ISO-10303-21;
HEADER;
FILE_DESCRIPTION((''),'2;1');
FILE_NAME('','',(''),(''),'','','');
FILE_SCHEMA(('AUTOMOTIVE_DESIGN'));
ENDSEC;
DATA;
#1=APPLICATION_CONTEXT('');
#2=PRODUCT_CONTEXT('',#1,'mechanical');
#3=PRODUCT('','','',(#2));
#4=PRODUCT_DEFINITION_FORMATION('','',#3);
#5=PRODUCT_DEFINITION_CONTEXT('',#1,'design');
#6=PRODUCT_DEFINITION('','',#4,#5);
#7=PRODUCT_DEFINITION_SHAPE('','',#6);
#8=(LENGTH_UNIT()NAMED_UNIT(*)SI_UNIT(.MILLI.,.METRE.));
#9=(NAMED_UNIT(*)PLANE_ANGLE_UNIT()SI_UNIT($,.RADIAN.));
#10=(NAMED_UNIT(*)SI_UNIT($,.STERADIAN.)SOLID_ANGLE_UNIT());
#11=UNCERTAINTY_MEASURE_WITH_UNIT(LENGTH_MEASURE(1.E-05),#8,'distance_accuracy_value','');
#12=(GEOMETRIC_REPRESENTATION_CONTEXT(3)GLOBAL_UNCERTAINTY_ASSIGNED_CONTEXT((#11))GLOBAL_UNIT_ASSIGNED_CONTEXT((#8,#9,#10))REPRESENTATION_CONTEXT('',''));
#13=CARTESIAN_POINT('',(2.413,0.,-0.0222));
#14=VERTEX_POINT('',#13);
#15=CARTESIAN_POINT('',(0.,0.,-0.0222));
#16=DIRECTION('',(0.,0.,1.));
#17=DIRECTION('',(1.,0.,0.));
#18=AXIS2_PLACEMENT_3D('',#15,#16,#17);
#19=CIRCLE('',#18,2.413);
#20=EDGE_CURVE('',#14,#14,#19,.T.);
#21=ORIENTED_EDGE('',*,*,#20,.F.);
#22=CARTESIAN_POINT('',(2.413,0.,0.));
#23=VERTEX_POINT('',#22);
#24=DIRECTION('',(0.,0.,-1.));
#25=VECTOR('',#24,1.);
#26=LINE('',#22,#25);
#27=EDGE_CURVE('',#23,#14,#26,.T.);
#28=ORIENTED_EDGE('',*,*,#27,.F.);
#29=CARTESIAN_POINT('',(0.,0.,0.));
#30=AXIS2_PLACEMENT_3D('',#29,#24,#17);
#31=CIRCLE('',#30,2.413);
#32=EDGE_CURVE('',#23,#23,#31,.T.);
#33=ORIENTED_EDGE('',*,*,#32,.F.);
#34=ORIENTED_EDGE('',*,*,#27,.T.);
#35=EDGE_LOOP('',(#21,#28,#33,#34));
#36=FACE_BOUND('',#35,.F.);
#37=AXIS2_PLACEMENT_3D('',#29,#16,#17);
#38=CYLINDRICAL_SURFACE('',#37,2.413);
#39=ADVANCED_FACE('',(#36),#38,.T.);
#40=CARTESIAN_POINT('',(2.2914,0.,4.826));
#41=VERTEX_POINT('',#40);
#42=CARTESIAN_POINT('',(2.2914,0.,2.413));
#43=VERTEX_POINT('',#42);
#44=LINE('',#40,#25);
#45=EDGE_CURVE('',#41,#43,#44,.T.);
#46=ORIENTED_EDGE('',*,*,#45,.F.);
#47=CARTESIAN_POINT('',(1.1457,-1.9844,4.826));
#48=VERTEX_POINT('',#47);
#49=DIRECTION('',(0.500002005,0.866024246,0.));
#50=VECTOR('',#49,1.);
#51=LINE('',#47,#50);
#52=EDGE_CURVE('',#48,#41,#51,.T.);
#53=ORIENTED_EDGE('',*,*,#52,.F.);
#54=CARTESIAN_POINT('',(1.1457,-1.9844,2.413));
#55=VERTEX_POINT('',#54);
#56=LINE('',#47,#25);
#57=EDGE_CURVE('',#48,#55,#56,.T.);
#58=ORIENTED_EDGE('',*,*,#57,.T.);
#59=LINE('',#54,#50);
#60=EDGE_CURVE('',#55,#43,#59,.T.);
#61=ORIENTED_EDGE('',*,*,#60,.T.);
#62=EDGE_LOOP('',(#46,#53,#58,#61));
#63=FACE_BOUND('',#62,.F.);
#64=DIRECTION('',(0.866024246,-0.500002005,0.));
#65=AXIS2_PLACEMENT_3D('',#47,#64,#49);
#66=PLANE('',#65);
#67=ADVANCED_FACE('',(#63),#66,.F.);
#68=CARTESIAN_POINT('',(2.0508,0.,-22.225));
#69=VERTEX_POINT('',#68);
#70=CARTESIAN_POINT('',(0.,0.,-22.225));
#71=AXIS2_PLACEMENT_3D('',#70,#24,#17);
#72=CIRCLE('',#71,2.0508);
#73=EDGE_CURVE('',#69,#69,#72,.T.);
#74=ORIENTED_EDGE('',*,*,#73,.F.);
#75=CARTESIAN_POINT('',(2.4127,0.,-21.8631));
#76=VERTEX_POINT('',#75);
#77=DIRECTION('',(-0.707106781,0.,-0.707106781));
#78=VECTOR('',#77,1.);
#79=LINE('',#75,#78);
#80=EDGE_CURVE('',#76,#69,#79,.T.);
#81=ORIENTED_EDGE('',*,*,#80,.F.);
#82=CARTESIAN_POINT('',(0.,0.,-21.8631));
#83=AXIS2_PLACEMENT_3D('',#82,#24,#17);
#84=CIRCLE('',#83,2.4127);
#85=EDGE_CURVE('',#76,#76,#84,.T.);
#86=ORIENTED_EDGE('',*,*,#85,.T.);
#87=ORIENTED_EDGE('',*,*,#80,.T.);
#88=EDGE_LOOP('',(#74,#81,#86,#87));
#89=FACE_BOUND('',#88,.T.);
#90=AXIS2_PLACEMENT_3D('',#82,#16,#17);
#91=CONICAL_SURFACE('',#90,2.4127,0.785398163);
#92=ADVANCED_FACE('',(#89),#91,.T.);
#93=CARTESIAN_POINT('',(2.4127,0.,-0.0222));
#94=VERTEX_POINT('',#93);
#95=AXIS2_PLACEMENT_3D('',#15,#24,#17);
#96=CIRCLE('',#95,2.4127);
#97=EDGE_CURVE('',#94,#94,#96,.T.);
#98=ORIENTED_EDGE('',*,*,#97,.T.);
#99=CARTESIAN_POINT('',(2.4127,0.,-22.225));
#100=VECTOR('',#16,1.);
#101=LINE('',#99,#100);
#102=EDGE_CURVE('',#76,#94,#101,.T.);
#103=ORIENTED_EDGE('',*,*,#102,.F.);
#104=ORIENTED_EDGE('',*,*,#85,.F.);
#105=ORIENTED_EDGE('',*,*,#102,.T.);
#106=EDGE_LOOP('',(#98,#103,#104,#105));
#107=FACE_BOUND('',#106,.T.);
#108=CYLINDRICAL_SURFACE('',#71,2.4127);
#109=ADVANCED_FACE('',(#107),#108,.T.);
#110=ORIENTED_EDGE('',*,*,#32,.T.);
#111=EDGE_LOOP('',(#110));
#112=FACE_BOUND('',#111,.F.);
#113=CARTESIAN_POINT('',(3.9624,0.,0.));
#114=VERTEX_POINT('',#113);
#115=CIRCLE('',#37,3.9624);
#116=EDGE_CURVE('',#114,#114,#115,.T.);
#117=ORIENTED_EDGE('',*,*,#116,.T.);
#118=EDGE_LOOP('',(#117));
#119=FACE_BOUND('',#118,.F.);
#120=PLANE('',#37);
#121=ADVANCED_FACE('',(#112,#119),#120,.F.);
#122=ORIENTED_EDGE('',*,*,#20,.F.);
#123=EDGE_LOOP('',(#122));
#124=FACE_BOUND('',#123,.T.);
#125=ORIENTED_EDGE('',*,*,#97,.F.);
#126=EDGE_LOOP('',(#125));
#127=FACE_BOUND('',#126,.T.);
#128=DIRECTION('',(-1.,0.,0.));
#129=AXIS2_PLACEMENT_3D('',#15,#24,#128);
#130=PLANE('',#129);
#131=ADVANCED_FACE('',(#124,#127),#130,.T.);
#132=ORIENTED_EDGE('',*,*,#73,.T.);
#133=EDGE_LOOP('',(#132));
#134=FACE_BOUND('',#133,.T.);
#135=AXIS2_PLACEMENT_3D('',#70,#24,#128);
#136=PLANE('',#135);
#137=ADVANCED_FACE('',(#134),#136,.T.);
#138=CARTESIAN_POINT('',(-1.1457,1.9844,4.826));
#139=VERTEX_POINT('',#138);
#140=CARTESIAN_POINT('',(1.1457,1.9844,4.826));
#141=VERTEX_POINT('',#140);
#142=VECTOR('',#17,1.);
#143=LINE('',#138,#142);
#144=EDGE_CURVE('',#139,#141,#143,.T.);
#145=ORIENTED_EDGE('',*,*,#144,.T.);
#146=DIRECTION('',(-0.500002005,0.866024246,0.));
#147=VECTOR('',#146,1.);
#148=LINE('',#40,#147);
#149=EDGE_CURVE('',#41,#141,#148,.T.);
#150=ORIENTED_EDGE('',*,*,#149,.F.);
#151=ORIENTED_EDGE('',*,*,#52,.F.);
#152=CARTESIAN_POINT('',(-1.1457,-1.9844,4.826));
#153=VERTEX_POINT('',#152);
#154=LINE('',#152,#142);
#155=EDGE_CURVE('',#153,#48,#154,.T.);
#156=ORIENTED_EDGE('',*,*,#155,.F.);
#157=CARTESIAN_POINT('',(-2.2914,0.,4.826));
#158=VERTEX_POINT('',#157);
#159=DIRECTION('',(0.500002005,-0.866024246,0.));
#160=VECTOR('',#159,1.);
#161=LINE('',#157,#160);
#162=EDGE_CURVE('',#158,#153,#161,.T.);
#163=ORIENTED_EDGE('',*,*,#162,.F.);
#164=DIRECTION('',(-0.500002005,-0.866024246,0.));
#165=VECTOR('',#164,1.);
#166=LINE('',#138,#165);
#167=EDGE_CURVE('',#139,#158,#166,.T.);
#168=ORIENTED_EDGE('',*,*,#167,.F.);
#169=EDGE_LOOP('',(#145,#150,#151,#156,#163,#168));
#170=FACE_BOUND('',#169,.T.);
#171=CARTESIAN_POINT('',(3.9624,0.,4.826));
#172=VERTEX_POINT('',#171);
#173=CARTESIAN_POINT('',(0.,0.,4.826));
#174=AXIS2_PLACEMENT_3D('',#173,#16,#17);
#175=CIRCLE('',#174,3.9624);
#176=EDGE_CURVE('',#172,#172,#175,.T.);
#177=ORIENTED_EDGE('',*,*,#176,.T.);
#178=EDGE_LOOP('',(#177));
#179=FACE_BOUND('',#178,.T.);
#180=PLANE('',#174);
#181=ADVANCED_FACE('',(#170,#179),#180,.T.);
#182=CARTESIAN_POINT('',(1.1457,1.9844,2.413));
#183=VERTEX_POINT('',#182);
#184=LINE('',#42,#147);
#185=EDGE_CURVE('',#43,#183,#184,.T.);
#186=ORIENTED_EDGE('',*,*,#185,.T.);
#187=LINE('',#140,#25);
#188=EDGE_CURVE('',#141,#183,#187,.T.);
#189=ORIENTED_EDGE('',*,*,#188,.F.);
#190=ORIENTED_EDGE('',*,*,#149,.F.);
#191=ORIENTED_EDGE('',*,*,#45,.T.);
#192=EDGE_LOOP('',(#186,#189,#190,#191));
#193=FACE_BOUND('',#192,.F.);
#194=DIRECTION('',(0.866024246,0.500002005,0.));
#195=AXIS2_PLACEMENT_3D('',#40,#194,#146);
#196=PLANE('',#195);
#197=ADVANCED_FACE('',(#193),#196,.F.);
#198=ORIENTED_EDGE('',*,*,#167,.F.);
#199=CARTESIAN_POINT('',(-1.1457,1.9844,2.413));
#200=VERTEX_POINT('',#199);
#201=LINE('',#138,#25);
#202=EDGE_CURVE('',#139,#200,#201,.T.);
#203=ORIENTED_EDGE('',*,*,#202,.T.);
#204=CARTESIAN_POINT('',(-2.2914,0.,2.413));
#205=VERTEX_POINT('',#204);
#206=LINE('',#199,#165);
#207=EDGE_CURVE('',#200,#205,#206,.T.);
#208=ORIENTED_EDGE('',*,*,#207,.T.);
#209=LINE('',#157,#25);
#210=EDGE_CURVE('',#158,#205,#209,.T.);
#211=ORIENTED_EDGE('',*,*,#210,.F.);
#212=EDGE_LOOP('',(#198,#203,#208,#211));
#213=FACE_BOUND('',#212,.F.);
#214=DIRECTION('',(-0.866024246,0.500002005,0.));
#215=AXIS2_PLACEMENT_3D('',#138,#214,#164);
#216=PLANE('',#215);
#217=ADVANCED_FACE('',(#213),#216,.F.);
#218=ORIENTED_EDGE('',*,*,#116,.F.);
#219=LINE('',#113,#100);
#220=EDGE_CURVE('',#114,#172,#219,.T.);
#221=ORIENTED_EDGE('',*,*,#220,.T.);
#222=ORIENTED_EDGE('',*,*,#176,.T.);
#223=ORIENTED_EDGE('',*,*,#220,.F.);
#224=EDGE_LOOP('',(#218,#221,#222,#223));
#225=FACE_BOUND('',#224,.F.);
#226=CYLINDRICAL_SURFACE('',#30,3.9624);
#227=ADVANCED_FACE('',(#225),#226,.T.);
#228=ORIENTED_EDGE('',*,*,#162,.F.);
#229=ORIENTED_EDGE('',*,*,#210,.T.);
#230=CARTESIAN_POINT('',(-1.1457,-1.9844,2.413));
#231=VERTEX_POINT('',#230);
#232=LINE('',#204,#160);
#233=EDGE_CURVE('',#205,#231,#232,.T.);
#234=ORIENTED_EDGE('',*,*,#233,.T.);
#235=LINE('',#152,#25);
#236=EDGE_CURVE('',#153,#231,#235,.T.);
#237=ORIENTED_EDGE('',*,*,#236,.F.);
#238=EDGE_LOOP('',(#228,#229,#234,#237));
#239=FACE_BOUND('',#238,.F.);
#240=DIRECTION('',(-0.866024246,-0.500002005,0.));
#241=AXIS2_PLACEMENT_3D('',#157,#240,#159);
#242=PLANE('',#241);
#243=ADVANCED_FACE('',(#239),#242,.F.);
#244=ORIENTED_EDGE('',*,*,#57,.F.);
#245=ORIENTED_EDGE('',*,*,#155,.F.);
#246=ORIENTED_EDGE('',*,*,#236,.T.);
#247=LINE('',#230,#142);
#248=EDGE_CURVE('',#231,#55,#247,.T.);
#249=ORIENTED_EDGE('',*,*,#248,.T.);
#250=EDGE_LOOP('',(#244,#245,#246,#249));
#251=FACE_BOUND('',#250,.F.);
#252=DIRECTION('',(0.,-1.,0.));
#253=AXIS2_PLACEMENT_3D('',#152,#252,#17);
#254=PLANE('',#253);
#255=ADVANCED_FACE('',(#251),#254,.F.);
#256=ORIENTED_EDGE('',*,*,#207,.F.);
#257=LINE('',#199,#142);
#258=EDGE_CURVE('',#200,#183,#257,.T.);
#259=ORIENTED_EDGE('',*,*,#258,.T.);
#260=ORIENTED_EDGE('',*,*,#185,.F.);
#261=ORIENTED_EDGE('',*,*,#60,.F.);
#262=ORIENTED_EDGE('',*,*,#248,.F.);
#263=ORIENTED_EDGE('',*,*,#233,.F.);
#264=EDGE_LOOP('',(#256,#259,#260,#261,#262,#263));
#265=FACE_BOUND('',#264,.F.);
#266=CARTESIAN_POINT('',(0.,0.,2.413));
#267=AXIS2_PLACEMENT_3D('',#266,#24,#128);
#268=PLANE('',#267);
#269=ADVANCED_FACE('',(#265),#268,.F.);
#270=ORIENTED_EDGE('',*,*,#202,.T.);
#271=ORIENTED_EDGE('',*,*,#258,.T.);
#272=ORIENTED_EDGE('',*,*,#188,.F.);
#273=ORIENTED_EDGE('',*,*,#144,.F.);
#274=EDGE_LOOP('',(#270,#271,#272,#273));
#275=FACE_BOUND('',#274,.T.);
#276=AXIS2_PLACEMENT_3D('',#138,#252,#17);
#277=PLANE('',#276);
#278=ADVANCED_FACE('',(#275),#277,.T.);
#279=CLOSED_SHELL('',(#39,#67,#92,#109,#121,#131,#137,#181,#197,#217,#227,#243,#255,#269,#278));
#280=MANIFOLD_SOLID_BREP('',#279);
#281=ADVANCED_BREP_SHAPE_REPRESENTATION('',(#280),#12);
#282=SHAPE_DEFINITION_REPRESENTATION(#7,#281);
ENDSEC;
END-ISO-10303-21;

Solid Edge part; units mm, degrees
sketch "Sketch1" plane through (0, 0, 0) normal (0, 0, 1) x (1, 0, 0)
  circle A0 centre (0, 0) radius 3.9624
  dimension "D1" = 7.9248
extrude "Protrusion1" add sketch "Sketch1" along normal blind 4.826
sketch "Sketch2" plane through (0, 0, 0) normal (0, 0, -1) x (1, 0, 0)
  circle A0 centre (0, 0) radius 2.413
extrude "Protrusion2" add sketch "Sketch2" along normal blind 22.225
sketch "Sketch3" plane through (0, 0, -22.225) normal (0, 0, -1) x (1, 0, 0)
  circle A0 centre (0, 0) radius 2.4127
extrude "Cutout1" cut sketch "Sketch3" against normal blind 22.2028 flip side to cut
chamfer "Chamfer_1" distance 0.3619 angle 45 1 edges at (-2.4127, 0, -22.225)
sketch "Sketch4" plane through (0, 0, 4.826) normal (0, 0, 1) x (1, 0, 0)
  line L0 (-1.1457, 1.9844) -> (1.1457, 1.9844)
  line L1 (2.2914, 0) -> (1.1457, 1.9844)
  line L2 (1.1457, -1.9844) -> (2.2914, 0)
  line L3 (-1.1457, -1.9844) -> (1.1457, -1.9844)
  line L4 (-2.2914, 0) -> (-1.1457, -1.9844)
  line L5 (-1.1457, 1.9844) -> (-2.2914, 0)
  dimension "D1" = 3.9688
extrude "Cutout2" cut sketch "Sketch4" against normal blind 2.413
properties part number "24102776"
